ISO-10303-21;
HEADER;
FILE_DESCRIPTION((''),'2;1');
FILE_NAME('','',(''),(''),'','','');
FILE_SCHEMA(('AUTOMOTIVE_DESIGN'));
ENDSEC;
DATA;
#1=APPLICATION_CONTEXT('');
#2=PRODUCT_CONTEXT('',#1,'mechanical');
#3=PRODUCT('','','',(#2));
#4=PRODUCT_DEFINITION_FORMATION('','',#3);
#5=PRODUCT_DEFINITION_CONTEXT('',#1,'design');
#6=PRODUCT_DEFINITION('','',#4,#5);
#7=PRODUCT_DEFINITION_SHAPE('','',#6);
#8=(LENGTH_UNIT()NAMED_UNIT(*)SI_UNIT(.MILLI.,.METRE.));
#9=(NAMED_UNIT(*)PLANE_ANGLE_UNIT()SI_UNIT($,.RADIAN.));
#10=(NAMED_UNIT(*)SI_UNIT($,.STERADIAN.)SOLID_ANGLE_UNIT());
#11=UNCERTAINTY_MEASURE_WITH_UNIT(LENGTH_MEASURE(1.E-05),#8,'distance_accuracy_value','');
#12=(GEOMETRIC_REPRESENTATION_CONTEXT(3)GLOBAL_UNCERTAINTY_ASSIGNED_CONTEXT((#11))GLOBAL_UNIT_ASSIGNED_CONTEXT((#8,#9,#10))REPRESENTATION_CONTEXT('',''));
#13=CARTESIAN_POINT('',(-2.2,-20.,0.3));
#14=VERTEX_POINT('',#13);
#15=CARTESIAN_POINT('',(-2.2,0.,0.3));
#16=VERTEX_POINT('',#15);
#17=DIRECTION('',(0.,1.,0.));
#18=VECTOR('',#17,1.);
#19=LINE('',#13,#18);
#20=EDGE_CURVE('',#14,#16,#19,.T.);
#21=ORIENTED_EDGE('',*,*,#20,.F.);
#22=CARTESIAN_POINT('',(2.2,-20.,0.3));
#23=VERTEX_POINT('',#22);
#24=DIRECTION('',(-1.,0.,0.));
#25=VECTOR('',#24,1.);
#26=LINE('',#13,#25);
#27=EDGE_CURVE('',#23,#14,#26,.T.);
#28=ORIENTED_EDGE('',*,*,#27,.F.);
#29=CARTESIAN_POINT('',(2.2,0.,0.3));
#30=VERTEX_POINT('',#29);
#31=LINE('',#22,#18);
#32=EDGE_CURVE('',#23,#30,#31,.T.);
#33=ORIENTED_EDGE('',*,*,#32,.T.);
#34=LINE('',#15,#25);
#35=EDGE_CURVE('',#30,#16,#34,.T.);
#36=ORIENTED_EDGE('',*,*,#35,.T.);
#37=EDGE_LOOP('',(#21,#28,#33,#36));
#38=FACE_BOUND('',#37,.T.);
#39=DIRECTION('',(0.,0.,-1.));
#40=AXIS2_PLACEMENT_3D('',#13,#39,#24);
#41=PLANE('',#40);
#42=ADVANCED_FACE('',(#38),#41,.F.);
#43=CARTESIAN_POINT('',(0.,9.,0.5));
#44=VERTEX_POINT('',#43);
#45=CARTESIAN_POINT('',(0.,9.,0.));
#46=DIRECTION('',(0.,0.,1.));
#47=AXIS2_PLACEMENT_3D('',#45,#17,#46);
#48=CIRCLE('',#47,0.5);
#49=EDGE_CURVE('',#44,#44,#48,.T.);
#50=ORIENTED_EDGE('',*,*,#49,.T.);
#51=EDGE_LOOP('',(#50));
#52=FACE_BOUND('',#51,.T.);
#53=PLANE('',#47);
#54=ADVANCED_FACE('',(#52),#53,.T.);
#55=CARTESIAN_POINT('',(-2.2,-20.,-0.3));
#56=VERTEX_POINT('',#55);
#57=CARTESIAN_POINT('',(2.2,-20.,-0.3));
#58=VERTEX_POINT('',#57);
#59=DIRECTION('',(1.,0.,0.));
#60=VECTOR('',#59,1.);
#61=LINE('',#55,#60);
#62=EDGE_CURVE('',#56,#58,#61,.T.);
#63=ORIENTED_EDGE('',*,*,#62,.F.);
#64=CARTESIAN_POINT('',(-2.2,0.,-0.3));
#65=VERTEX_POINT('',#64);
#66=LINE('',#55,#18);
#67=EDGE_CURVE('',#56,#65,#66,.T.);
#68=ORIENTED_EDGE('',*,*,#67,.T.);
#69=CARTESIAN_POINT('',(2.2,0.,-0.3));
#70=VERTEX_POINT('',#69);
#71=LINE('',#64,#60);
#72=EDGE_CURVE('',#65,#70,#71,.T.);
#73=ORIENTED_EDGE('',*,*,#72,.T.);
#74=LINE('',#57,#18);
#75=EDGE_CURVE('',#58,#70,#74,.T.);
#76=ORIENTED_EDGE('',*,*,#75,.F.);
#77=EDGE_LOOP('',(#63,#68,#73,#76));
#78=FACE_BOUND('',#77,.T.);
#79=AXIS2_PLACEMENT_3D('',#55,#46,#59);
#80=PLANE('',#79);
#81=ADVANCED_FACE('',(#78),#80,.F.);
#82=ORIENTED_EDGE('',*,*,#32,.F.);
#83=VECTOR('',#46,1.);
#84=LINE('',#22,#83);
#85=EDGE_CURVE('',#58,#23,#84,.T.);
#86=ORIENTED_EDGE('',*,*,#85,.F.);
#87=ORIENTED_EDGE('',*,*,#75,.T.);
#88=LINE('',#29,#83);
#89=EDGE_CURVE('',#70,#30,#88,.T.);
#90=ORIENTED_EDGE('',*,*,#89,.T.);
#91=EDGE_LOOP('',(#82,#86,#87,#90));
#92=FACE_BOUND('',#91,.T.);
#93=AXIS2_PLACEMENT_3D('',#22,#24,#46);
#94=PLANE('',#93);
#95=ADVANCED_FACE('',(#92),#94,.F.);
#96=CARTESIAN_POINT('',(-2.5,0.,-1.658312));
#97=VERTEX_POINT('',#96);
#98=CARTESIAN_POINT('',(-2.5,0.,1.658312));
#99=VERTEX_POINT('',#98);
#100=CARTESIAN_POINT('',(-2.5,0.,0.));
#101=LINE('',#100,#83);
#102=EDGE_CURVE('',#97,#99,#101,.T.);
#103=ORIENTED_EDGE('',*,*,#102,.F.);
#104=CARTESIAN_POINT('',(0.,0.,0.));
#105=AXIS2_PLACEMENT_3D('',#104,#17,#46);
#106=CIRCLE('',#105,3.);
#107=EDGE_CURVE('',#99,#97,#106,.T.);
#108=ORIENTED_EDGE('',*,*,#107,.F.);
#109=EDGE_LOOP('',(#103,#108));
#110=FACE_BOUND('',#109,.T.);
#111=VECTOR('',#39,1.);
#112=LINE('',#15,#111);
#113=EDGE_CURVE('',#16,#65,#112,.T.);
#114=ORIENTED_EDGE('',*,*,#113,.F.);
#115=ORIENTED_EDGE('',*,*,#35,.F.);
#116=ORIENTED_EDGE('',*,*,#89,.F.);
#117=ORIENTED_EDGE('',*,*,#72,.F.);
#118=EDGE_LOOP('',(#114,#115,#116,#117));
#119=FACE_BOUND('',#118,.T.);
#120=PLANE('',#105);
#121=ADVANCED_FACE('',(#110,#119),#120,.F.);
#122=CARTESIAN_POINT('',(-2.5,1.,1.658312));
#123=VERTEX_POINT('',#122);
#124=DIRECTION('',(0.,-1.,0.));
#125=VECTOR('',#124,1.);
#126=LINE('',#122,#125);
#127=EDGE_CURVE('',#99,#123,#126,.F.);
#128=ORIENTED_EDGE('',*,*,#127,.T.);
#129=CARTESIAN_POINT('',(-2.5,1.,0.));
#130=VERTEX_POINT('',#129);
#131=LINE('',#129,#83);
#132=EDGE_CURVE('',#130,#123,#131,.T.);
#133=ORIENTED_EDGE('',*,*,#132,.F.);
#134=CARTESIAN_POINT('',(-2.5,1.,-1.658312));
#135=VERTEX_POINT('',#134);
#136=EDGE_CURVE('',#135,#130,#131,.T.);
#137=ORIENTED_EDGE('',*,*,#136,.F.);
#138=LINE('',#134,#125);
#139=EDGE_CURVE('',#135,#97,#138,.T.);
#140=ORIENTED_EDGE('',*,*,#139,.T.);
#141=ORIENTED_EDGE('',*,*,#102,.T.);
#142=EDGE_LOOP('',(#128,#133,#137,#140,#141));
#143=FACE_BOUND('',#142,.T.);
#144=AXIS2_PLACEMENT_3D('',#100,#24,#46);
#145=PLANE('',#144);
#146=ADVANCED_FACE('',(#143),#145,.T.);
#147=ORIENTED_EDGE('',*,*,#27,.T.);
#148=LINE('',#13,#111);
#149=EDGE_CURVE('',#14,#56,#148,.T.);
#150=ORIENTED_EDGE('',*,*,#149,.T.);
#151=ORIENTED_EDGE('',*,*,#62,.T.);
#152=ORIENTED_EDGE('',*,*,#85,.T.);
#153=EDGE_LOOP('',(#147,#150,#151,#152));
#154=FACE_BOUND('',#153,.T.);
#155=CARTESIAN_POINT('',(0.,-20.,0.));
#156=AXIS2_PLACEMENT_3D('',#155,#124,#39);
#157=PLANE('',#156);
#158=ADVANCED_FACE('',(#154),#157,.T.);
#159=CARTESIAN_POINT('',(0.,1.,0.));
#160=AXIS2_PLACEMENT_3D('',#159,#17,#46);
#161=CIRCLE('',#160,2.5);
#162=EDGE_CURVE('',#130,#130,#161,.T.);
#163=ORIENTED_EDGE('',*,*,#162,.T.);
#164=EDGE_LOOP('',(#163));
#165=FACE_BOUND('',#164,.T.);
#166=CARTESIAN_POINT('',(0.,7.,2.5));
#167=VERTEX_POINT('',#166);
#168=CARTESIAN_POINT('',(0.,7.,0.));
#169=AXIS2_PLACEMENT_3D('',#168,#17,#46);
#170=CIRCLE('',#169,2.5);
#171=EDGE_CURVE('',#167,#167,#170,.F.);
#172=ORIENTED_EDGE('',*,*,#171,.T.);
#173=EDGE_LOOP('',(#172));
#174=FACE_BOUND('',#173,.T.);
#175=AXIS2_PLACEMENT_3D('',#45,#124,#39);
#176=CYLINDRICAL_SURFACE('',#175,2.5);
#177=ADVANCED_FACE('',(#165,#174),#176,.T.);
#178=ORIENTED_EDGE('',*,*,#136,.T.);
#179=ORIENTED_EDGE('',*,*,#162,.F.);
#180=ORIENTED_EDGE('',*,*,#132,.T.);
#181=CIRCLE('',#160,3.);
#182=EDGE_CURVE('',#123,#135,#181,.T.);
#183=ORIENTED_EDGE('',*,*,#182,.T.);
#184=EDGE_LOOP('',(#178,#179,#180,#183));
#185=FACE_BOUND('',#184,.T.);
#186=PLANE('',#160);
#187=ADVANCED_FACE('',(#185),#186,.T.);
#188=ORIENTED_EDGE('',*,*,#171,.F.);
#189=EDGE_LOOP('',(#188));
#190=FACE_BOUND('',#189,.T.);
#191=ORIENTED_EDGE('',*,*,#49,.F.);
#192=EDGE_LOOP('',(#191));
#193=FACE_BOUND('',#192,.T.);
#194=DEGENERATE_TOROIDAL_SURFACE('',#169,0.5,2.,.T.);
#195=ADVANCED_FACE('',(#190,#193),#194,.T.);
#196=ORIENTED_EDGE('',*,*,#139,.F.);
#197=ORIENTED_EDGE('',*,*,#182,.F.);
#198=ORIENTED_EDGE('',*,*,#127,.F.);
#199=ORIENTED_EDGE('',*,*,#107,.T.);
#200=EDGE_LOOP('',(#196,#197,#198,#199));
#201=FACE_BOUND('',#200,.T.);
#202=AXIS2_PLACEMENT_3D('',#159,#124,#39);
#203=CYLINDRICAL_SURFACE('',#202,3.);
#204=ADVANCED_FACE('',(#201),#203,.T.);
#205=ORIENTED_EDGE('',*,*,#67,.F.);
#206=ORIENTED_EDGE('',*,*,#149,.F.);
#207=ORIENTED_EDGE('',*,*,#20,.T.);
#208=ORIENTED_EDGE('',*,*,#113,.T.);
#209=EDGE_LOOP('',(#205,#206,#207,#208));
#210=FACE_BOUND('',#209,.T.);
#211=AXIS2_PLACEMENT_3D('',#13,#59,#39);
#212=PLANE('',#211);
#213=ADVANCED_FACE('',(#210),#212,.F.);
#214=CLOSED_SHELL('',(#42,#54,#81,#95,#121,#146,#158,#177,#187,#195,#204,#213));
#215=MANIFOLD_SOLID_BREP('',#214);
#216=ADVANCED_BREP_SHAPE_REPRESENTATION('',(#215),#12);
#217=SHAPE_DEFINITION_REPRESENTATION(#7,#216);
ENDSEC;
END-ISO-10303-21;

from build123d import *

# Parameters (mm, degrees)
SKETCH1_R           = 3
BOSS_EXTRUDE1_DEPTH = 1
SKETCH2_R           = 2.5
BOSS_EXTRUDE2_DEPTH = 8
FILLET1_R           = 2
SKETCH3_W           = 4.4
SKETCH3_H           = 0.6
BOSS_EXTRUDE3_DEPTH = 20
CUT_EXTRUDE1_START  = -2.5
SKETCH4_W           = 14.899802266
SKETCH4_H           = 5.02411501
CUT_EXTRUDE1_DEPTH  = 20


with BuildPart() as part:
    # Sketch1 → Boss-Extrude1 (new body)
    with BuildSketch(Plane(origin=(0, 0, 0), x_dir=(1, 0, 0), z_dir=(0, 1, 0))):
        with Locations(Location((0, 0, 0), (0, 0, 270))):
            Circle(SKETCH1_R)
    extrude(amount=BOSS_EXTRUDE1_DEPTH)

    # Sketch2 → Boss-Extrude2 (add)
    with BuildSketch(Plane(origin=(0, 1, 0), x_dir=(1, 0, 0), z_dir=(0, 1, 0))):
        with Locations(Location((0, 0, 0), (0, 0, 270))):
            Circle(SKETCH2_R)
    extrude(amount=BOSS_EXTRUDE2_DEPTH)

    # Fillet1
    fillet1_edges = [part.edges().sort_by_distance(p)[0] for p in [
        (0, 9, -2.5),
    ]]
    fillet(fillet1_edges, radius=FILLET1_R)

    # Sketch3 → Boss-Extrude3 (add)
    with BuildSketch(Plane.XZ):
        Rectangle(SKETCH3_W, SKETCH3_H)
    extrude(amount=BOSS_EXTRUDE3_DEPTH)

    # Sketch4 → Cut-Extrude1 (cut)
    with BuildSketch(Plane(origin=(0, 0, 0), x_dir=(0, 0, -1), z_dir=(1, 0, 0)).offset(CUT_EXTRUDE1_START)):
        Rectangle(SKETCH4_W, SKETCH4_H)
    extrude(amount=-CUT_EXTRUDE1_DEPTH, mode=Mode.SUBTRACT)


solid = part.part
